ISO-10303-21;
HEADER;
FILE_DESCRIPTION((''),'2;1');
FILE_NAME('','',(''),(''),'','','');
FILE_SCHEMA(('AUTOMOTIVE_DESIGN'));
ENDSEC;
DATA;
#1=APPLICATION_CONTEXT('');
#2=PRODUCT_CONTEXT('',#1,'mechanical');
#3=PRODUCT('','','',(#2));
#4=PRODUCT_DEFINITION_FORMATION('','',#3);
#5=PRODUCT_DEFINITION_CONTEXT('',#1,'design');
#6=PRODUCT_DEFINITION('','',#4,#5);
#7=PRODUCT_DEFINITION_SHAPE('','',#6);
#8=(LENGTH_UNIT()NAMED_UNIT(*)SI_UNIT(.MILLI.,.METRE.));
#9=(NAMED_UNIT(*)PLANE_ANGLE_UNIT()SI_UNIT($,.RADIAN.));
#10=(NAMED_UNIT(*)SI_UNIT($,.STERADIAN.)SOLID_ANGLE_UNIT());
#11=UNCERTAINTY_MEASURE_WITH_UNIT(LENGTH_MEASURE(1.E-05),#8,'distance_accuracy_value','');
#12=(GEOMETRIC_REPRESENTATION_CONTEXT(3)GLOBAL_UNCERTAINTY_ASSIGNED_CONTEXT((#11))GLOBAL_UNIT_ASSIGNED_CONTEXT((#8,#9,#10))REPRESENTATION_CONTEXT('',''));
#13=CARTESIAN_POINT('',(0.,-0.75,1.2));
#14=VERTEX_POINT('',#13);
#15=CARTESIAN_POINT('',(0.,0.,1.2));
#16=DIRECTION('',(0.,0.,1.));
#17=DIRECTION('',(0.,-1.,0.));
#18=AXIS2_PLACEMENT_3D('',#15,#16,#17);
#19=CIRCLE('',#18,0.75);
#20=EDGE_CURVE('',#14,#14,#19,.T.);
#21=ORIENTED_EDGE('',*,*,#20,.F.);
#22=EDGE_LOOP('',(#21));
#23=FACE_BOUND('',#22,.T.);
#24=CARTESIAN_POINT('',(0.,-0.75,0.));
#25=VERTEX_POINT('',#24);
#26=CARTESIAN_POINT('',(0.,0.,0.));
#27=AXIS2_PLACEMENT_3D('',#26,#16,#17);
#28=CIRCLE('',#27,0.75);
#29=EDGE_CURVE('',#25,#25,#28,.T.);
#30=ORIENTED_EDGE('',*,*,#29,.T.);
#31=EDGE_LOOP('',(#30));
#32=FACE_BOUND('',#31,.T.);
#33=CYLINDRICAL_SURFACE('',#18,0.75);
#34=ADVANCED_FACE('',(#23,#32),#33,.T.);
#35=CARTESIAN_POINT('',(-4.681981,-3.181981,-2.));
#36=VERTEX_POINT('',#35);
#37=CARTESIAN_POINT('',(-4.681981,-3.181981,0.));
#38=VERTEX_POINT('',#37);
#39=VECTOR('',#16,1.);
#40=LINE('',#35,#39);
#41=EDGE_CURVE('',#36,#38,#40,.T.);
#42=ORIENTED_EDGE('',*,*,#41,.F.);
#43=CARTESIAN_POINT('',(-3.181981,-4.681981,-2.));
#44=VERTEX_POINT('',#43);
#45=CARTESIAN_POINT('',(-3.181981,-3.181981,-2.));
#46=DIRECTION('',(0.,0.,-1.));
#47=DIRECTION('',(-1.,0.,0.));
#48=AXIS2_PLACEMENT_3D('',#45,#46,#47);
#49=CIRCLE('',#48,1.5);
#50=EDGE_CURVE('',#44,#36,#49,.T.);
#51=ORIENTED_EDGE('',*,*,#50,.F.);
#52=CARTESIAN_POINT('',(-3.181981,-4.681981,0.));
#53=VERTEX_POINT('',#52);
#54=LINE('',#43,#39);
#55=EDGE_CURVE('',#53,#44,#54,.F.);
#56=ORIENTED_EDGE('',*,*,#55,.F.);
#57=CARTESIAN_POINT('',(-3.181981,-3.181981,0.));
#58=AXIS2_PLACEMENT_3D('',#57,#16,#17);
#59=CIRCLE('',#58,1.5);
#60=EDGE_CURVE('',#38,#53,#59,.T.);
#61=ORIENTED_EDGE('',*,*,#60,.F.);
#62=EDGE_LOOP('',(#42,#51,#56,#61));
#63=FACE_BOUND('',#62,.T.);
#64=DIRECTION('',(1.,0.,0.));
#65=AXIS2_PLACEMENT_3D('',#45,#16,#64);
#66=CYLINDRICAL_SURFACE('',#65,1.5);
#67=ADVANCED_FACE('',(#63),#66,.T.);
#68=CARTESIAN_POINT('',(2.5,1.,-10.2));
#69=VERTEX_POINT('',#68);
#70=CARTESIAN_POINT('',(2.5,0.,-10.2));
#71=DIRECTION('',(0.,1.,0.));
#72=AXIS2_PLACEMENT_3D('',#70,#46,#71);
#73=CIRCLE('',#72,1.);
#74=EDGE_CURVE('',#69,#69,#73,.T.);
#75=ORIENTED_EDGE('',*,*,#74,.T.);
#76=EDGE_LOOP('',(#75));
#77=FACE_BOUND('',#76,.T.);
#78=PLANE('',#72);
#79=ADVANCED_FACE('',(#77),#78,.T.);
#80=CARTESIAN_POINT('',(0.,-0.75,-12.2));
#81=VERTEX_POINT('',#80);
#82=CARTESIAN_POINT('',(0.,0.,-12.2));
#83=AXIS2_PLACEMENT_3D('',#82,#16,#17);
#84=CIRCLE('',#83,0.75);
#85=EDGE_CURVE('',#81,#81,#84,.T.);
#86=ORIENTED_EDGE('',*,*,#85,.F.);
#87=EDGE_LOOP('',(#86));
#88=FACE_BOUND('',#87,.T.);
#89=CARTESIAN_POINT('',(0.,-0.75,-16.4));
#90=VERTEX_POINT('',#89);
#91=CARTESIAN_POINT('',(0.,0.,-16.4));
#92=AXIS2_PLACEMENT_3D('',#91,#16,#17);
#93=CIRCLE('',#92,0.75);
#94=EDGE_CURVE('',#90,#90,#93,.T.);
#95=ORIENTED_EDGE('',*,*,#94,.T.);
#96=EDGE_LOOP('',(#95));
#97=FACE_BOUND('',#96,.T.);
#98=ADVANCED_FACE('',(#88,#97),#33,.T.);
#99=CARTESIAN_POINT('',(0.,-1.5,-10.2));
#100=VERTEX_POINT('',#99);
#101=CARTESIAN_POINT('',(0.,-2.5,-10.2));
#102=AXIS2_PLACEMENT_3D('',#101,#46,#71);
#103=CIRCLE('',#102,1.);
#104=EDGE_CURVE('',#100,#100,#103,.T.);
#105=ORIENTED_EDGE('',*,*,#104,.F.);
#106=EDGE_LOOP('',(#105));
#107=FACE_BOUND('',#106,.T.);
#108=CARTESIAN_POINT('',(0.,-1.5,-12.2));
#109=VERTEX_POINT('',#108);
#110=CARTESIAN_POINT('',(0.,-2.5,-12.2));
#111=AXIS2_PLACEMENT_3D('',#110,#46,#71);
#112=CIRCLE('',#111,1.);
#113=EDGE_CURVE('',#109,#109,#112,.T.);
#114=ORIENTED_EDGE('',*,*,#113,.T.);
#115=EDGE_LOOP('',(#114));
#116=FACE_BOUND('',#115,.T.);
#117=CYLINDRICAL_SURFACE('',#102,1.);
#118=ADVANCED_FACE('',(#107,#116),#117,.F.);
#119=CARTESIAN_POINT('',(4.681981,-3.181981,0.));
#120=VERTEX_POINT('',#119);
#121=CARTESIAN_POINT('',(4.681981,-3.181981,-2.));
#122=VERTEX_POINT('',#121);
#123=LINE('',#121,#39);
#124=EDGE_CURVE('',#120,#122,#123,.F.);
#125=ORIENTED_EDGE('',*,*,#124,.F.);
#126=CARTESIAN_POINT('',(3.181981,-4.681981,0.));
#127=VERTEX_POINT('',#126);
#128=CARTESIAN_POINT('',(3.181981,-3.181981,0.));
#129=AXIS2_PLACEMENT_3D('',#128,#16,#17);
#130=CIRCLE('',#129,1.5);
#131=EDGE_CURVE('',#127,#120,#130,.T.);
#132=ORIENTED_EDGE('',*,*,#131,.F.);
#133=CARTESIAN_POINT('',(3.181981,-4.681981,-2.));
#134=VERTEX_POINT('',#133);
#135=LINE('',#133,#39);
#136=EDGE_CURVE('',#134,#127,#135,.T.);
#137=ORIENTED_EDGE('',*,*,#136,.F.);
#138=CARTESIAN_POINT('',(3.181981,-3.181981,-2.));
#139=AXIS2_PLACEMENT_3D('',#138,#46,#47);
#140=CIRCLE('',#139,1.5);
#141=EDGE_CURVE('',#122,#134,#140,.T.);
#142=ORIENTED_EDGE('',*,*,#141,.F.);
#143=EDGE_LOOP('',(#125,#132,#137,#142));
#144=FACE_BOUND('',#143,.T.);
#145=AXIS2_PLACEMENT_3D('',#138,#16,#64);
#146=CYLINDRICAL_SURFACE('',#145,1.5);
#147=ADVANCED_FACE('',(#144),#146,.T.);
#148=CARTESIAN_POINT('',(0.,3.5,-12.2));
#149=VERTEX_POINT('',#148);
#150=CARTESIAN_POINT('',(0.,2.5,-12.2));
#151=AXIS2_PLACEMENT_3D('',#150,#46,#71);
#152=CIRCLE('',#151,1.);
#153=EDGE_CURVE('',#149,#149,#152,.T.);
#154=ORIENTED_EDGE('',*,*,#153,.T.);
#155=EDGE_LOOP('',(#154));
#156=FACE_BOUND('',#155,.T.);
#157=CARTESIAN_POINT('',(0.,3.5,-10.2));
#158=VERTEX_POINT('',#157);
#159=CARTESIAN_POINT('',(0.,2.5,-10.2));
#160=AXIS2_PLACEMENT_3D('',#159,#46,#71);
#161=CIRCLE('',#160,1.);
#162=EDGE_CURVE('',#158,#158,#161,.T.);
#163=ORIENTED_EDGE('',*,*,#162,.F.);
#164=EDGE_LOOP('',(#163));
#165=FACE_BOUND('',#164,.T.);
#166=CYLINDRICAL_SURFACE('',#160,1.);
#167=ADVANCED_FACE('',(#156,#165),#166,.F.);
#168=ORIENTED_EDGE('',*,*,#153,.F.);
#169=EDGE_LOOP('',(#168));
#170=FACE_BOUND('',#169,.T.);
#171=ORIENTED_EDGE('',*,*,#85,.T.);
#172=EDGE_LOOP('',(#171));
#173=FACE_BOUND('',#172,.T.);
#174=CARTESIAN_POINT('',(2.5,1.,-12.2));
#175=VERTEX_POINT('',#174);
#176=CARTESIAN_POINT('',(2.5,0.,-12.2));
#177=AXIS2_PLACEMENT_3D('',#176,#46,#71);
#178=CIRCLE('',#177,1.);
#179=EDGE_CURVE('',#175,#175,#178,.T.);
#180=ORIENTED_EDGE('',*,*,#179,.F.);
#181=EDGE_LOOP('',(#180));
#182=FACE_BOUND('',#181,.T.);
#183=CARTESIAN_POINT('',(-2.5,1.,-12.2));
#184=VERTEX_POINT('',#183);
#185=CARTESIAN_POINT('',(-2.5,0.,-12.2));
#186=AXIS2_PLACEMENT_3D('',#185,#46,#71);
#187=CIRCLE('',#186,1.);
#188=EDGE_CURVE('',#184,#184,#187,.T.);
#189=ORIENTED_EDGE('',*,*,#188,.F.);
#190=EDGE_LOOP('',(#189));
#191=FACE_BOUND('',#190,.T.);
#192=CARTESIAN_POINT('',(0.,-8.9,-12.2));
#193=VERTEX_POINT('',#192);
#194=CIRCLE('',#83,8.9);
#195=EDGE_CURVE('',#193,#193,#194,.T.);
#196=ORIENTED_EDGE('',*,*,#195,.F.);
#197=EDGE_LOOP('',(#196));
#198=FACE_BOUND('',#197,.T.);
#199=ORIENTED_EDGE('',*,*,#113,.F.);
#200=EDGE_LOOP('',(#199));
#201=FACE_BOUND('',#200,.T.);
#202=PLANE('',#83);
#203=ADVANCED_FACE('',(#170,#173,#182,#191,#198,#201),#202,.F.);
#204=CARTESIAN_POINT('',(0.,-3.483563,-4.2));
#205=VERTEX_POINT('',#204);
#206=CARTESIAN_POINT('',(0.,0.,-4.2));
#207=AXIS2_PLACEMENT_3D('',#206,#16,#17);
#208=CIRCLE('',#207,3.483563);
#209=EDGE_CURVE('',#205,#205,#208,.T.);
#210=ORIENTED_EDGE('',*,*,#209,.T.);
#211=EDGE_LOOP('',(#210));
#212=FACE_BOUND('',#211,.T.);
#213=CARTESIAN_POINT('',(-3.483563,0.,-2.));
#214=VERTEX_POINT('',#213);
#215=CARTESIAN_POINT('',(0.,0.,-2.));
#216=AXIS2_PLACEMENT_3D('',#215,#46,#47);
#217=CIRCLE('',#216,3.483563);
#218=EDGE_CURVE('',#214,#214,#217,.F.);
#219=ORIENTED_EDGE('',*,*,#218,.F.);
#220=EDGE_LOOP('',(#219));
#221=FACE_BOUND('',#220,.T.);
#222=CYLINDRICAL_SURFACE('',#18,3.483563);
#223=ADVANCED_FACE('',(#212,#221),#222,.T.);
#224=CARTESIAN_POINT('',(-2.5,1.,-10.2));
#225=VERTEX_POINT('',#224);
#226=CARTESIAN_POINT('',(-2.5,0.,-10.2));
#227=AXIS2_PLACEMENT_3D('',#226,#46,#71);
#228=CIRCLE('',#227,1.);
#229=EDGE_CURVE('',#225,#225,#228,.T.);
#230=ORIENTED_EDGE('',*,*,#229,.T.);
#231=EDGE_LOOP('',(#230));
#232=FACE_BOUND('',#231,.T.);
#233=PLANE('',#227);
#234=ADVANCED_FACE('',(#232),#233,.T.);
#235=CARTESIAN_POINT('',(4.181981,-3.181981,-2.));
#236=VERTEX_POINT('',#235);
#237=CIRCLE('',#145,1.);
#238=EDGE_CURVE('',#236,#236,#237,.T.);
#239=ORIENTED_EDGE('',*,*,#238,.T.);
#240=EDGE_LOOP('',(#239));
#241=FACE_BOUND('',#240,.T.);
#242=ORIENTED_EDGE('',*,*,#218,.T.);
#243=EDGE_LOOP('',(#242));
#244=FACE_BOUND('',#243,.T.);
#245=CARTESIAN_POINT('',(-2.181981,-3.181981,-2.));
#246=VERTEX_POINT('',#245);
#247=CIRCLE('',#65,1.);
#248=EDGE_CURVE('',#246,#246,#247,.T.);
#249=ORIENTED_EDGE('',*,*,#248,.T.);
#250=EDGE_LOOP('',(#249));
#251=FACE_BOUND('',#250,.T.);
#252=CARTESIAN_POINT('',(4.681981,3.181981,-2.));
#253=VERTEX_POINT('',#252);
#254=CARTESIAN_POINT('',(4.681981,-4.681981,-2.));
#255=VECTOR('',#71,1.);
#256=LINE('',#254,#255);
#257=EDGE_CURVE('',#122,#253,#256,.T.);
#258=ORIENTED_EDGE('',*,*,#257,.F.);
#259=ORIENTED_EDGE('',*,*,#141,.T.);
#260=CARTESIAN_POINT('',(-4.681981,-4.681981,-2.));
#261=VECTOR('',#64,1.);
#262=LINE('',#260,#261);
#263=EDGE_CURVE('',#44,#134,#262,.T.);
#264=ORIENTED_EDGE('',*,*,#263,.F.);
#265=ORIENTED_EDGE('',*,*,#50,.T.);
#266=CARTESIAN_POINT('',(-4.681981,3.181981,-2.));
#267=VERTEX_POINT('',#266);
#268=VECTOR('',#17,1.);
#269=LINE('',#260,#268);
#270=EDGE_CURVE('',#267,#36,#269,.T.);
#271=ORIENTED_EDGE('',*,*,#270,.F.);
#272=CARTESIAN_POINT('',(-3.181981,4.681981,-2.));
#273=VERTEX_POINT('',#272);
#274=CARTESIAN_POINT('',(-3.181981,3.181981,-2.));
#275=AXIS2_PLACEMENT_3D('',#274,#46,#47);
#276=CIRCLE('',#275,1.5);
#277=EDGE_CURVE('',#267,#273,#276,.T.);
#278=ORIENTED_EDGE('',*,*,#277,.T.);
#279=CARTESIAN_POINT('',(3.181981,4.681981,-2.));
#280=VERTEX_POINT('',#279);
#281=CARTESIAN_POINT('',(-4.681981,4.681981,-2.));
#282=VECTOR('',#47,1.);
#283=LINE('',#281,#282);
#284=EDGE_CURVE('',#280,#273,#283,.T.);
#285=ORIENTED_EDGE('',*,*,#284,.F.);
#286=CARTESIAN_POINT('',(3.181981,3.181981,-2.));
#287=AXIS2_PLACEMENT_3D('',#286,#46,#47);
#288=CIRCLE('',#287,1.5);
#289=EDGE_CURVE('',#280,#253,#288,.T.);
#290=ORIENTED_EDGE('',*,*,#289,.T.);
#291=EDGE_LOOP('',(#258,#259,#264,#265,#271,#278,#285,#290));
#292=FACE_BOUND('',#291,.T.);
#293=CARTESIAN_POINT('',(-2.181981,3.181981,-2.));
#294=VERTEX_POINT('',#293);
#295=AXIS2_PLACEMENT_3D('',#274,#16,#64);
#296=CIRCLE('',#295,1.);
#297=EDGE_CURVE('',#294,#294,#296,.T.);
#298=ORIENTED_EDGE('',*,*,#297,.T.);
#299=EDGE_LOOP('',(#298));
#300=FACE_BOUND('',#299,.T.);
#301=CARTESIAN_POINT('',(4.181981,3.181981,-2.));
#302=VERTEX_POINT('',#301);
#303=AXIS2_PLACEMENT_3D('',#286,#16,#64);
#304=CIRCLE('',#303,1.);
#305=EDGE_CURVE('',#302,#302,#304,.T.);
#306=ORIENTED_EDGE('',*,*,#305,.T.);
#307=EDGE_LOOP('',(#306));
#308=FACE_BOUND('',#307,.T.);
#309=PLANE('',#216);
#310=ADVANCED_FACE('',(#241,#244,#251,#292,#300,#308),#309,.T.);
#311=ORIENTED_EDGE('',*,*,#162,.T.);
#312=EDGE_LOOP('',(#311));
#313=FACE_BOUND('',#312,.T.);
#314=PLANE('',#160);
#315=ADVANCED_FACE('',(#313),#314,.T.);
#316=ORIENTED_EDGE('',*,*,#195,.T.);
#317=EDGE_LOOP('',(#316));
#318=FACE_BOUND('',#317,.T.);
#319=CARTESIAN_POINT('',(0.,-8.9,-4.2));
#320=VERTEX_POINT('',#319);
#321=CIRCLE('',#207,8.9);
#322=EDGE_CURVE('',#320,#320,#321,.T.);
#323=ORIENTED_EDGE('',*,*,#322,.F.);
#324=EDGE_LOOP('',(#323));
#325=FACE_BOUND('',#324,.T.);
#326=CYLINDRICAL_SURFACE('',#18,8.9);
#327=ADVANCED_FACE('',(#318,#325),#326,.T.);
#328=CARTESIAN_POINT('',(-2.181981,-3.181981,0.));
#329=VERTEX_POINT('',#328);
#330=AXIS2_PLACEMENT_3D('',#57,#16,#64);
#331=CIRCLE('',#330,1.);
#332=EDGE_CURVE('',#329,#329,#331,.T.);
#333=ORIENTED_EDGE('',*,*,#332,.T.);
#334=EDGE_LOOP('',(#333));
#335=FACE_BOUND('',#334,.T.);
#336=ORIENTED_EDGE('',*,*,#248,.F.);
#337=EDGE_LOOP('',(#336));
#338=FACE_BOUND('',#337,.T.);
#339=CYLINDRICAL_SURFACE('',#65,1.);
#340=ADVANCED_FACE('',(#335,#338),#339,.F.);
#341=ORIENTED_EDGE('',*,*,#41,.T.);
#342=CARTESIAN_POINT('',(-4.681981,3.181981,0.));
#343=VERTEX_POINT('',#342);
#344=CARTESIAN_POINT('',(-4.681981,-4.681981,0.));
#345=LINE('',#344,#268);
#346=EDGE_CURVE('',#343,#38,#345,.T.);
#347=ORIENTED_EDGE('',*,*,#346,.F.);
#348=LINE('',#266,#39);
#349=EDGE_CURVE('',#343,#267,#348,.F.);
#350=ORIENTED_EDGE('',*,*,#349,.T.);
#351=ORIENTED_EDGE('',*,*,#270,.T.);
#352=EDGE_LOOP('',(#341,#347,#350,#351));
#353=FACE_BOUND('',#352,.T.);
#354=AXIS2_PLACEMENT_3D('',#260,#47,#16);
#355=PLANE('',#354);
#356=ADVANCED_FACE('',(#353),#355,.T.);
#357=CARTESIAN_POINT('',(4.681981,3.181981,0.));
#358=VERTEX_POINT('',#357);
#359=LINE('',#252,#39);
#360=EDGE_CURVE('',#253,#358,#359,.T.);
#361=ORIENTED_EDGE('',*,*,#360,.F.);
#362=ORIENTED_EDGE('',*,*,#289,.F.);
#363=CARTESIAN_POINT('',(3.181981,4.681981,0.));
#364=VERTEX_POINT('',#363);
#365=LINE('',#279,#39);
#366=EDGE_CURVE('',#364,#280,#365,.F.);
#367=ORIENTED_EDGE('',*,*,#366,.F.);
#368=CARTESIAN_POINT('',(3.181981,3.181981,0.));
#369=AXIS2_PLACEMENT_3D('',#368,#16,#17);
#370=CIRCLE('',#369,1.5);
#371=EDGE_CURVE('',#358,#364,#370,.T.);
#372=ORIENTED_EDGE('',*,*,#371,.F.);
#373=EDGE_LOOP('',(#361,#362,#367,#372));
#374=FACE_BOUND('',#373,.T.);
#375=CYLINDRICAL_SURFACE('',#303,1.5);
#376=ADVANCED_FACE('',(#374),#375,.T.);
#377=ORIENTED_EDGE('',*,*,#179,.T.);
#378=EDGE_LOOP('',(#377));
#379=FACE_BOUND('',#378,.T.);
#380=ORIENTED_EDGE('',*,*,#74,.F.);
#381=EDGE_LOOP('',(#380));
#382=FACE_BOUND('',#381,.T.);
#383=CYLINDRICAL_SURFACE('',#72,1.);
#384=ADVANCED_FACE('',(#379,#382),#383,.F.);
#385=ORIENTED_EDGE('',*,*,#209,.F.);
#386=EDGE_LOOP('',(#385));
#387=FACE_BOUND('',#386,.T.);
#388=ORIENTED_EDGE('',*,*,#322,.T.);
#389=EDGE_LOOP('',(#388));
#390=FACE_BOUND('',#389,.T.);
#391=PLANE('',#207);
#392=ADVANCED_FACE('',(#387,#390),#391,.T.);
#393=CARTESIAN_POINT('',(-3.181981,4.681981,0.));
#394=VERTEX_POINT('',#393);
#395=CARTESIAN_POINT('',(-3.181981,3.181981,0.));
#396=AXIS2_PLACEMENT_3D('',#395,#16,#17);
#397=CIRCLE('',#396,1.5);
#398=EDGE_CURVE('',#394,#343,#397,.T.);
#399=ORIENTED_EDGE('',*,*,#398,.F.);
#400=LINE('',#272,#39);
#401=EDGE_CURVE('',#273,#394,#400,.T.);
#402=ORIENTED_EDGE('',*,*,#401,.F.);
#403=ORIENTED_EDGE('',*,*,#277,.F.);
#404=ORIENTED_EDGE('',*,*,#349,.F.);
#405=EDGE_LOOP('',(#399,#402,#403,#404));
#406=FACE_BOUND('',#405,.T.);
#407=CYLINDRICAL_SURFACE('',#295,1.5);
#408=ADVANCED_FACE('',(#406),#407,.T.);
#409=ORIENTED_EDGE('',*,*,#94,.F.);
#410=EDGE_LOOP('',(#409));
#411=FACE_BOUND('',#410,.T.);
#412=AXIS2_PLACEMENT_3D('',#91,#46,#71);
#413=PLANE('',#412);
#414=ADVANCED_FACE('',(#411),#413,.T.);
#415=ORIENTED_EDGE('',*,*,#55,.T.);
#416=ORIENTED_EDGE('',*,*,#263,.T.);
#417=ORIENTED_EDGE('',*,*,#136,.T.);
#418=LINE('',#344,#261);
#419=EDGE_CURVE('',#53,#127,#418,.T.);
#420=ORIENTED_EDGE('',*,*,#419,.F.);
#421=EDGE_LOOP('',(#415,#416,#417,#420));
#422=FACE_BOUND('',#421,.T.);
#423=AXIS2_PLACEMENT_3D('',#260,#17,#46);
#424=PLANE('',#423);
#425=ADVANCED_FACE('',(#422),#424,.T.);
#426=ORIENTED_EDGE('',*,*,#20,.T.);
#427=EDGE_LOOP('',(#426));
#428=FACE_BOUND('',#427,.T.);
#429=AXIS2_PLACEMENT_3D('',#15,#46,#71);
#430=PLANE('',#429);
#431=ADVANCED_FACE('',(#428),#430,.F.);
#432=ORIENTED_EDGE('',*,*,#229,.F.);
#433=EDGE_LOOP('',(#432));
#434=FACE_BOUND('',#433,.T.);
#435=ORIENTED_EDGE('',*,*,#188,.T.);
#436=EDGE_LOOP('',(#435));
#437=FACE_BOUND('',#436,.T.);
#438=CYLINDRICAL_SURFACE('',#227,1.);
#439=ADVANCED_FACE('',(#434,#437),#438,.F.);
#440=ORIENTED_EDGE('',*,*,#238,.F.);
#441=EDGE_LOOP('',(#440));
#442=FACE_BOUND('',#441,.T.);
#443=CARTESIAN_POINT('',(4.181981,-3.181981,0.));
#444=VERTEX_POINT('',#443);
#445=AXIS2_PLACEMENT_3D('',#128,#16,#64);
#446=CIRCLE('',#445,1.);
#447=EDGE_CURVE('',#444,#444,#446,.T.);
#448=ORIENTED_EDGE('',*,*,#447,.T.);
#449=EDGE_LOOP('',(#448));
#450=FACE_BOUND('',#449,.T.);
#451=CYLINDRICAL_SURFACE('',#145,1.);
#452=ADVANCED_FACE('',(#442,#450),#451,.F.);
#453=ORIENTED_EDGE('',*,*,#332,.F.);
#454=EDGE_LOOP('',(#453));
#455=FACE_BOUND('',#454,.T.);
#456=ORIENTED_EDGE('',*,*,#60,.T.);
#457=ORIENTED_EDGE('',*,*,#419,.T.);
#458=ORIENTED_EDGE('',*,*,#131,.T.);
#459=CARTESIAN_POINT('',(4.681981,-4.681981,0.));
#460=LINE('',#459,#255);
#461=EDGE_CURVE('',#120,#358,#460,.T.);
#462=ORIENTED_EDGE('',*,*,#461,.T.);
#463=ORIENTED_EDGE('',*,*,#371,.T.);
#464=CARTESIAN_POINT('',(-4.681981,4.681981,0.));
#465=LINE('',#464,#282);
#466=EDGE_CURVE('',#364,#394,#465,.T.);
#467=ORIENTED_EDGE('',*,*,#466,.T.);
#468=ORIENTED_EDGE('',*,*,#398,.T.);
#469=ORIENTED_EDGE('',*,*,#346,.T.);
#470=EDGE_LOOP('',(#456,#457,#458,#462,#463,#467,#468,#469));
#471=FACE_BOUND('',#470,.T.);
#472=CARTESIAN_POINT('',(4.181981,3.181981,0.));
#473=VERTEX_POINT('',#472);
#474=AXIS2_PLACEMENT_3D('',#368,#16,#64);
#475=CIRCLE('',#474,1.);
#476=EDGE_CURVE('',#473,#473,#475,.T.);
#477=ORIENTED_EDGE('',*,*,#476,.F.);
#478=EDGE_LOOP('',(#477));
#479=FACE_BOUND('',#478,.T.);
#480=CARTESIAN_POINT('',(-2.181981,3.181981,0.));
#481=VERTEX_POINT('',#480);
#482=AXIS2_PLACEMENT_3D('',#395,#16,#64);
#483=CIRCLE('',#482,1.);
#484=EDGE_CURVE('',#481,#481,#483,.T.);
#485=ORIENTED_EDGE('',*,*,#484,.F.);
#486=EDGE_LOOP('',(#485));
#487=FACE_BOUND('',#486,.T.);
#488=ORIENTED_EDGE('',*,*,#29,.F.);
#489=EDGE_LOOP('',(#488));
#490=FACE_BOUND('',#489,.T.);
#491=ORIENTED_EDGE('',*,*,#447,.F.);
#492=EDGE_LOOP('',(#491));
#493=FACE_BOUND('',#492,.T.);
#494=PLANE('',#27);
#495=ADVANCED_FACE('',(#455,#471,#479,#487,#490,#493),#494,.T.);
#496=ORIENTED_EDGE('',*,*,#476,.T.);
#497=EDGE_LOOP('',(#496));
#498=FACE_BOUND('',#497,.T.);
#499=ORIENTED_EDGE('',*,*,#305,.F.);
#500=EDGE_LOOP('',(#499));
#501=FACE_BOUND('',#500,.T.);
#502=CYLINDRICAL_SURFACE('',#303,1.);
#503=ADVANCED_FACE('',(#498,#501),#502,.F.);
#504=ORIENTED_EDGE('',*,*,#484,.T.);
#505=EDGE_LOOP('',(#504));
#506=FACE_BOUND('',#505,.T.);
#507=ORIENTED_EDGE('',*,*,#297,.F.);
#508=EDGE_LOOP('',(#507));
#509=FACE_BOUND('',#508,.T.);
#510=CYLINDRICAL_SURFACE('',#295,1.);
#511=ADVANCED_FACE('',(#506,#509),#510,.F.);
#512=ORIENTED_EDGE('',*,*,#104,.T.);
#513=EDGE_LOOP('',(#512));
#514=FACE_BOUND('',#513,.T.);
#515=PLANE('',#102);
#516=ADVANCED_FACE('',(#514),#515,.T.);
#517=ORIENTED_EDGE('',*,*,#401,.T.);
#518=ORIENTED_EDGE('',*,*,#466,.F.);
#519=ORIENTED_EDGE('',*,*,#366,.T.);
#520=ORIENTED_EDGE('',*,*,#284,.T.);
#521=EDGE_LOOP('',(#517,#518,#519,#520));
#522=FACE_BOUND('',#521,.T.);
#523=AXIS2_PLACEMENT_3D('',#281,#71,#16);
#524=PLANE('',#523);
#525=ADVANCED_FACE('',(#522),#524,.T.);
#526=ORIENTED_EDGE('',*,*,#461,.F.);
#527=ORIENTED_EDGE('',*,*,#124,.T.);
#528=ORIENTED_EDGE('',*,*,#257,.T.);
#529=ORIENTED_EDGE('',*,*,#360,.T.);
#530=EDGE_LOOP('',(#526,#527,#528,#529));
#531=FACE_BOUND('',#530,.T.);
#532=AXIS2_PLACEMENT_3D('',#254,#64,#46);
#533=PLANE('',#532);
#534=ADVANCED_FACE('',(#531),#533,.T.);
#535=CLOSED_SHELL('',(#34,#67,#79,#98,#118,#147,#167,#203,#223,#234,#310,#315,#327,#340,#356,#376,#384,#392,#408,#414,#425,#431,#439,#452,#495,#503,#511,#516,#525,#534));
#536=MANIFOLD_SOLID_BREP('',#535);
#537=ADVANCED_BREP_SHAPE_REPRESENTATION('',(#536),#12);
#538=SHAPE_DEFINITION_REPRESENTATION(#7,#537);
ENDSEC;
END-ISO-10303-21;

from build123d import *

# Parameters (mm, degrees)
SKETCH1_W           = 1.2
SKETCH1_H           = 0.75
SKETCH1_W_2         = 4.2
SKETCH1_W_3         = 8
SKETCH1_H_2         = 2.733563445
SKETCH2_W           = 9.36396103
SKETCH2_H           = 9.36396103
SKETCH2_R           = 1
BOSS_EXTRUDE1_DEPTH = 2
FILLET1_R           = 1.5
SKETCH3_R           = 1
CUT_EXTRUDE1_DEPTH  = 2


with BuildPart() as part:
    # Sketch1 → Revolve1 (revolve)
    with BuildSketch(Plane(origin=(0, 0, 0), x_dir=(0, 0, -1), z_dir=(1, 0, 0))):
        with Locations((-0.6, 0.375)):
            Rectangle(SKETCH1_W, SKETCH1_H)
        with Locations((2.1, 0.375)):
            Rectangle(SKETCH1_W_2, SKETCH1_H)
        with Locations((8.2, 0.375)):
            Rectangle(SKETCH1_W_3, SKETCH1_H)
        with Locations((14.3, 0.375)):
            Rectangle(SKETCH1_W_2, SKETCH1_H)
        Polygon((4.2, 3.483563445), (4.2, 0.75), (12.2, 0.75), (12.2, 8.9), (4.2, 8.9), align=None)
        with Locations((2.1, 2.116781722)):
            Rectangle(SKETCH1_W_2, SKETCH1_H_2)
    revolve(axis=Axis((0, 0, 1.2), (0, 0, -1)))

    # Sketch2 → Boss-Extrude1 (add)
    with BuildSketch(Plane.XY):
        Rectangle(SKETCH2_W, SKETCH2_H)
        with Locations((3.181980515, 3.181980515)):
            Circle(SKETCH2_R, mode=Mode.SUBTRACT)
        with Locations((3.181980515, -3.181980515)):
            Circle(SKETCH2_R, mode=Mode.SUBTRACT)
        with Locations((-3.181980515, -3.181980515)):
            Circle(SKETCH2_R, mode=Mode.SUBTRACT)
        with Locations((-3.181980515, 3.181980515)):
            Circle(SKETCH2_R, mode=Mode.SUBTRACT)
    extrude(amount=-BOSS_EXTRUDE1_DEPTH)

    # Fillet1
    fillet1_edges = [part.edges().sort_by_distance(p)[0] for p in [
        (4.681980515, 4.681980515, -1),
        (4.681980515, -4.681980515, -1),
        (-4.681980515, -4.681980515, -1),
        (-4.681980515, 4.681980515, -1),
    ]]
    fillet(fillet1_edges, radius=FILLET1_R)

    # Sketch3 → Cut-Extrude1 (cut)
    with BuildSketch(Plane(origin=(0, 0, -12.2), x_dir=(-1, 0, 0), z_dir=(0, 0, -1))):
        with Locations((0, 2.5)):
            Circle(SKETCH3_R)
        with Locations((2.5, 0)):
            Circle(SKETCH3_R)
        with Locations((0, -2.5)):
            Circle(SKETCH3_R)
        with Locations((-2.5, 0)):
            Circle(SKETCH3_R)
    extrude(amount=-CUT_EXTRUDE1_DEPTH, mode=Mode.SUBTRACT)


solid = part.part
